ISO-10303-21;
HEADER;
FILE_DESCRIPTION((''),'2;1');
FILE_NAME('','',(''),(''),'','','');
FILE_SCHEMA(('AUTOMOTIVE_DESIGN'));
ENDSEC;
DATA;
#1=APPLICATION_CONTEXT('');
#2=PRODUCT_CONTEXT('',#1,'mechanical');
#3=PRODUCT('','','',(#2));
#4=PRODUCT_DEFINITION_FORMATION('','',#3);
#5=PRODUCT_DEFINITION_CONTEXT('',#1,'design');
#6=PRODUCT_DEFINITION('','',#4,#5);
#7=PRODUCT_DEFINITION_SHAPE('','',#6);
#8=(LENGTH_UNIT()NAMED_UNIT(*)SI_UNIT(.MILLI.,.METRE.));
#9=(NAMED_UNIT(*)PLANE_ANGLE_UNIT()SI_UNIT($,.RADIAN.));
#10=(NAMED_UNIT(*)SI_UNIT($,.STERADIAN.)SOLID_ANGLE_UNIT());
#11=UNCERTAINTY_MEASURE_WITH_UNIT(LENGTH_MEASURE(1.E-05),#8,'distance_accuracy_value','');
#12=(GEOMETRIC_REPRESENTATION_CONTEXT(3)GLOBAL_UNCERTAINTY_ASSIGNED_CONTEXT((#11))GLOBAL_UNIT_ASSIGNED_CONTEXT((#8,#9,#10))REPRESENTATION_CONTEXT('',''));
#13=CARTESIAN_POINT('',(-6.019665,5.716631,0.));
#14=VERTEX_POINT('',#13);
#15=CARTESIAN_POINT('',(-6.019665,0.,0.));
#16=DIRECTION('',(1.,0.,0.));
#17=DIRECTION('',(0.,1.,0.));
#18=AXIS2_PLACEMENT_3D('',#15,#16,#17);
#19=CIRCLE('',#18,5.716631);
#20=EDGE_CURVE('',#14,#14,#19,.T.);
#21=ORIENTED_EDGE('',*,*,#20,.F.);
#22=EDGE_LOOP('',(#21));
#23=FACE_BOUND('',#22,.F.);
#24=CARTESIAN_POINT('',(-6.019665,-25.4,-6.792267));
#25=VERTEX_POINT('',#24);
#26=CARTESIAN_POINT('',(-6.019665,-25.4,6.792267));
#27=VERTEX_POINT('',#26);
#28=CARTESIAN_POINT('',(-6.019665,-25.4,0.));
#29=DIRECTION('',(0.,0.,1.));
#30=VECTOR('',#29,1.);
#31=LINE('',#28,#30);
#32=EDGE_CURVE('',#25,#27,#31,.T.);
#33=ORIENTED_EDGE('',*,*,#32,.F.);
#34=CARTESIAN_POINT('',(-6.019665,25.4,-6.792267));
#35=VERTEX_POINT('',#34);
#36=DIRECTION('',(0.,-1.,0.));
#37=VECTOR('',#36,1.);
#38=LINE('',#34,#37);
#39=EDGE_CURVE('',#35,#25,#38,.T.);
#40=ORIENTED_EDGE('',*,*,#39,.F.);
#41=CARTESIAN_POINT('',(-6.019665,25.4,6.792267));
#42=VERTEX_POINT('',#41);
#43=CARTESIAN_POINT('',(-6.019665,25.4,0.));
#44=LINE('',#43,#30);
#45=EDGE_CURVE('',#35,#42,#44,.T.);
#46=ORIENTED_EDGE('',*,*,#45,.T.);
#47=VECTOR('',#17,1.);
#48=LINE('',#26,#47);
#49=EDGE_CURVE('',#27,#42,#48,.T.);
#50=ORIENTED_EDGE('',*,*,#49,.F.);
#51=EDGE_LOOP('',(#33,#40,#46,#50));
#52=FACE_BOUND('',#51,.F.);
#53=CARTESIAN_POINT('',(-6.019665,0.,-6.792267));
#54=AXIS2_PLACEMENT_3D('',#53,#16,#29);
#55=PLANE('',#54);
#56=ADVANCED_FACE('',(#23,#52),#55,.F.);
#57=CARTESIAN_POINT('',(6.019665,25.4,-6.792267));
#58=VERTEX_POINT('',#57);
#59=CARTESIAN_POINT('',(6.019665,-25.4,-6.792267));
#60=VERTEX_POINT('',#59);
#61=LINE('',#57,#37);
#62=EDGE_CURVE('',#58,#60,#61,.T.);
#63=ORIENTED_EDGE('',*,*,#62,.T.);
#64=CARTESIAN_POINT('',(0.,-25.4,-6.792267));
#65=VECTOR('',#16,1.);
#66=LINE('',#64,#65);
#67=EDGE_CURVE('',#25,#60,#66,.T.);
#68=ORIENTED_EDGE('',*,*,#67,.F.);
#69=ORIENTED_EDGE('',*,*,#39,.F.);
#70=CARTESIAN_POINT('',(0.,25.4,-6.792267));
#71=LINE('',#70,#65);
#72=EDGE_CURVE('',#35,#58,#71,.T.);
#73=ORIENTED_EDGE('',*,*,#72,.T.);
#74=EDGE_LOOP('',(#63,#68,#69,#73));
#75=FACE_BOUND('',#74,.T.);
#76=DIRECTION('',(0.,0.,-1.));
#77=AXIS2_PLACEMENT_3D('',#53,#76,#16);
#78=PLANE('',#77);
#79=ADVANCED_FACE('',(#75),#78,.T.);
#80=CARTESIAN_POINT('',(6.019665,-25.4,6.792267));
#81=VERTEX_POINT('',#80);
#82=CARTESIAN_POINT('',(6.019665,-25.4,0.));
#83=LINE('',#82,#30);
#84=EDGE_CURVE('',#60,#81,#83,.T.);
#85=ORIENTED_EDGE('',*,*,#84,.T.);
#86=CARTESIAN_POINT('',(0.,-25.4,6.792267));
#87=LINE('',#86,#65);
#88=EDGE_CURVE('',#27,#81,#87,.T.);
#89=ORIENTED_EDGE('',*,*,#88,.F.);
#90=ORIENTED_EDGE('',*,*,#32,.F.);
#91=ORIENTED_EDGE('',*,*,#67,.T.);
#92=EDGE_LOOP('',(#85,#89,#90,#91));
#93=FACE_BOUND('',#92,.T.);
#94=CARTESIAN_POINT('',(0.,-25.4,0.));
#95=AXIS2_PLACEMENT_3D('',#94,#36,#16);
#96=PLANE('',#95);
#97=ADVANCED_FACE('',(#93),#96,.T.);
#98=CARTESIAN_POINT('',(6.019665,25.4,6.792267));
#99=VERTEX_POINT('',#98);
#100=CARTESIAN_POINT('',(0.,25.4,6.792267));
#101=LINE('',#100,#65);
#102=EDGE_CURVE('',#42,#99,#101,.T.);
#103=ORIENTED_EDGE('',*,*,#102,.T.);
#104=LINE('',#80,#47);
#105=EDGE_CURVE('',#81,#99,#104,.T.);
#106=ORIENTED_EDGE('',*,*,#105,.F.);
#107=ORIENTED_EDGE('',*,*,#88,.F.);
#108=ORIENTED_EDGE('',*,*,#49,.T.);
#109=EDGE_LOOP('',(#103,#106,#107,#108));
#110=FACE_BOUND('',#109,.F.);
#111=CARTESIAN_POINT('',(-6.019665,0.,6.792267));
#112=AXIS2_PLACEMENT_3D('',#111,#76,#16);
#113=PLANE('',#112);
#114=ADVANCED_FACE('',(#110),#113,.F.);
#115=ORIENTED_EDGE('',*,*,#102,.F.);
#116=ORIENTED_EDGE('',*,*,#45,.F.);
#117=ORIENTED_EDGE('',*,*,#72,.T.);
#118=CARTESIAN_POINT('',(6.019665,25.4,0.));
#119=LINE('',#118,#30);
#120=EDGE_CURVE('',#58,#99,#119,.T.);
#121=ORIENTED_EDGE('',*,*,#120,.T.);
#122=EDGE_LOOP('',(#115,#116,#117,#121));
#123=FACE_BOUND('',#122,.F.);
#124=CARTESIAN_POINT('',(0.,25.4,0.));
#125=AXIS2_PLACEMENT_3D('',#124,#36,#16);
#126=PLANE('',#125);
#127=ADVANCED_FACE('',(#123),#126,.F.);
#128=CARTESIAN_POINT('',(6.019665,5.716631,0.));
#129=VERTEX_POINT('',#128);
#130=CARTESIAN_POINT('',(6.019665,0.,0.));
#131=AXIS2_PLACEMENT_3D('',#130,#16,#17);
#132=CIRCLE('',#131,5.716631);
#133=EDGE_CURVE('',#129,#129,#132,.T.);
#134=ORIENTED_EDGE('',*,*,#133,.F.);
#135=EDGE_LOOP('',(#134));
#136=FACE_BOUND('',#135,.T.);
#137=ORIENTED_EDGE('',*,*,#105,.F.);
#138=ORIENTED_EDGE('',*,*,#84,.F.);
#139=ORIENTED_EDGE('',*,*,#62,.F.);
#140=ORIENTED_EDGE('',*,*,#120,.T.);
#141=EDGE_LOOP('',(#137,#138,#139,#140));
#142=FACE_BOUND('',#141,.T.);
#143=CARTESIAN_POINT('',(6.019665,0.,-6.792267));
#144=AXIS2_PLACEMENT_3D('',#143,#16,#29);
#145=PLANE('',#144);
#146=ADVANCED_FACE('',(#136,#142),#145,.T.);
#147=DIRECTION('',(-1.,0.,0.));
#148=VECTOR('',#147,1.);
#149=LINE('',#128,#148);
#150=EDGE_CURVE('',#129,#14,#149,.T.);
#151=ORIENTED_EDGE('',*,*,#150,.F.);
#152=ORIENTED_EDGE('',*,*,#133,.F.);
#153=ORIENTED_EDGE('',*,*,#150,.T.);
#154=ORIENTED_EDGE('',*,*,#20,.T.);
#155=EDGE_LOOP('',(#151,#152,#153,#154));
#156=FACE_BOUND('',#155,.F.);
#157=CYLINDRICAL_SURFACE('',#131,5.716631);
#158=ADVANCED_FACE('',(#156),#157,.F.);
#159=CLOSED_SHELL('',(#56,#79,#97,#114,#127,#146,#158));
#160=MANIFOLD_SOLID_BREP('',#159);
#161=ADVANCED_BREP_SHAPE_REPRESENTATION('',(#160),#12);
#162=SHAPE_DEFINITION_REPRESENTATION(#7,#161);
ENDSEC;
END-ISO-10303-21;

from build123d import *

# Parameters (mm, degrees)
F0_W          = 12.03933
F0_H          = 13.584534
F1_DEPTH      = 25.4
F1_DEPTH_BACK = 25.4
F2_R          = 5.716631
F3_DEPTH      = 25.4


with BuildPart() as f1:
    # F0 (on Front) → F1 (new body, two sides)
    with BuildSketch(Plane.XZ) as f1_sk:
        Rectangle(F0_W, F0_H)
    extrude(amount=F1_DEPTH)
    extrude(f1_sk.sketch, amount=-F1_DEPTH_BACK)

    # F2 (on face) → F3 (cut)
    with BuildSketch(Plane.YZ.offset(6.019665)):
        Circle(F2_R)
    extrude(amount=-F3_DEPTH, mode=Mode.SUBTRACT)


solid = f1.part
